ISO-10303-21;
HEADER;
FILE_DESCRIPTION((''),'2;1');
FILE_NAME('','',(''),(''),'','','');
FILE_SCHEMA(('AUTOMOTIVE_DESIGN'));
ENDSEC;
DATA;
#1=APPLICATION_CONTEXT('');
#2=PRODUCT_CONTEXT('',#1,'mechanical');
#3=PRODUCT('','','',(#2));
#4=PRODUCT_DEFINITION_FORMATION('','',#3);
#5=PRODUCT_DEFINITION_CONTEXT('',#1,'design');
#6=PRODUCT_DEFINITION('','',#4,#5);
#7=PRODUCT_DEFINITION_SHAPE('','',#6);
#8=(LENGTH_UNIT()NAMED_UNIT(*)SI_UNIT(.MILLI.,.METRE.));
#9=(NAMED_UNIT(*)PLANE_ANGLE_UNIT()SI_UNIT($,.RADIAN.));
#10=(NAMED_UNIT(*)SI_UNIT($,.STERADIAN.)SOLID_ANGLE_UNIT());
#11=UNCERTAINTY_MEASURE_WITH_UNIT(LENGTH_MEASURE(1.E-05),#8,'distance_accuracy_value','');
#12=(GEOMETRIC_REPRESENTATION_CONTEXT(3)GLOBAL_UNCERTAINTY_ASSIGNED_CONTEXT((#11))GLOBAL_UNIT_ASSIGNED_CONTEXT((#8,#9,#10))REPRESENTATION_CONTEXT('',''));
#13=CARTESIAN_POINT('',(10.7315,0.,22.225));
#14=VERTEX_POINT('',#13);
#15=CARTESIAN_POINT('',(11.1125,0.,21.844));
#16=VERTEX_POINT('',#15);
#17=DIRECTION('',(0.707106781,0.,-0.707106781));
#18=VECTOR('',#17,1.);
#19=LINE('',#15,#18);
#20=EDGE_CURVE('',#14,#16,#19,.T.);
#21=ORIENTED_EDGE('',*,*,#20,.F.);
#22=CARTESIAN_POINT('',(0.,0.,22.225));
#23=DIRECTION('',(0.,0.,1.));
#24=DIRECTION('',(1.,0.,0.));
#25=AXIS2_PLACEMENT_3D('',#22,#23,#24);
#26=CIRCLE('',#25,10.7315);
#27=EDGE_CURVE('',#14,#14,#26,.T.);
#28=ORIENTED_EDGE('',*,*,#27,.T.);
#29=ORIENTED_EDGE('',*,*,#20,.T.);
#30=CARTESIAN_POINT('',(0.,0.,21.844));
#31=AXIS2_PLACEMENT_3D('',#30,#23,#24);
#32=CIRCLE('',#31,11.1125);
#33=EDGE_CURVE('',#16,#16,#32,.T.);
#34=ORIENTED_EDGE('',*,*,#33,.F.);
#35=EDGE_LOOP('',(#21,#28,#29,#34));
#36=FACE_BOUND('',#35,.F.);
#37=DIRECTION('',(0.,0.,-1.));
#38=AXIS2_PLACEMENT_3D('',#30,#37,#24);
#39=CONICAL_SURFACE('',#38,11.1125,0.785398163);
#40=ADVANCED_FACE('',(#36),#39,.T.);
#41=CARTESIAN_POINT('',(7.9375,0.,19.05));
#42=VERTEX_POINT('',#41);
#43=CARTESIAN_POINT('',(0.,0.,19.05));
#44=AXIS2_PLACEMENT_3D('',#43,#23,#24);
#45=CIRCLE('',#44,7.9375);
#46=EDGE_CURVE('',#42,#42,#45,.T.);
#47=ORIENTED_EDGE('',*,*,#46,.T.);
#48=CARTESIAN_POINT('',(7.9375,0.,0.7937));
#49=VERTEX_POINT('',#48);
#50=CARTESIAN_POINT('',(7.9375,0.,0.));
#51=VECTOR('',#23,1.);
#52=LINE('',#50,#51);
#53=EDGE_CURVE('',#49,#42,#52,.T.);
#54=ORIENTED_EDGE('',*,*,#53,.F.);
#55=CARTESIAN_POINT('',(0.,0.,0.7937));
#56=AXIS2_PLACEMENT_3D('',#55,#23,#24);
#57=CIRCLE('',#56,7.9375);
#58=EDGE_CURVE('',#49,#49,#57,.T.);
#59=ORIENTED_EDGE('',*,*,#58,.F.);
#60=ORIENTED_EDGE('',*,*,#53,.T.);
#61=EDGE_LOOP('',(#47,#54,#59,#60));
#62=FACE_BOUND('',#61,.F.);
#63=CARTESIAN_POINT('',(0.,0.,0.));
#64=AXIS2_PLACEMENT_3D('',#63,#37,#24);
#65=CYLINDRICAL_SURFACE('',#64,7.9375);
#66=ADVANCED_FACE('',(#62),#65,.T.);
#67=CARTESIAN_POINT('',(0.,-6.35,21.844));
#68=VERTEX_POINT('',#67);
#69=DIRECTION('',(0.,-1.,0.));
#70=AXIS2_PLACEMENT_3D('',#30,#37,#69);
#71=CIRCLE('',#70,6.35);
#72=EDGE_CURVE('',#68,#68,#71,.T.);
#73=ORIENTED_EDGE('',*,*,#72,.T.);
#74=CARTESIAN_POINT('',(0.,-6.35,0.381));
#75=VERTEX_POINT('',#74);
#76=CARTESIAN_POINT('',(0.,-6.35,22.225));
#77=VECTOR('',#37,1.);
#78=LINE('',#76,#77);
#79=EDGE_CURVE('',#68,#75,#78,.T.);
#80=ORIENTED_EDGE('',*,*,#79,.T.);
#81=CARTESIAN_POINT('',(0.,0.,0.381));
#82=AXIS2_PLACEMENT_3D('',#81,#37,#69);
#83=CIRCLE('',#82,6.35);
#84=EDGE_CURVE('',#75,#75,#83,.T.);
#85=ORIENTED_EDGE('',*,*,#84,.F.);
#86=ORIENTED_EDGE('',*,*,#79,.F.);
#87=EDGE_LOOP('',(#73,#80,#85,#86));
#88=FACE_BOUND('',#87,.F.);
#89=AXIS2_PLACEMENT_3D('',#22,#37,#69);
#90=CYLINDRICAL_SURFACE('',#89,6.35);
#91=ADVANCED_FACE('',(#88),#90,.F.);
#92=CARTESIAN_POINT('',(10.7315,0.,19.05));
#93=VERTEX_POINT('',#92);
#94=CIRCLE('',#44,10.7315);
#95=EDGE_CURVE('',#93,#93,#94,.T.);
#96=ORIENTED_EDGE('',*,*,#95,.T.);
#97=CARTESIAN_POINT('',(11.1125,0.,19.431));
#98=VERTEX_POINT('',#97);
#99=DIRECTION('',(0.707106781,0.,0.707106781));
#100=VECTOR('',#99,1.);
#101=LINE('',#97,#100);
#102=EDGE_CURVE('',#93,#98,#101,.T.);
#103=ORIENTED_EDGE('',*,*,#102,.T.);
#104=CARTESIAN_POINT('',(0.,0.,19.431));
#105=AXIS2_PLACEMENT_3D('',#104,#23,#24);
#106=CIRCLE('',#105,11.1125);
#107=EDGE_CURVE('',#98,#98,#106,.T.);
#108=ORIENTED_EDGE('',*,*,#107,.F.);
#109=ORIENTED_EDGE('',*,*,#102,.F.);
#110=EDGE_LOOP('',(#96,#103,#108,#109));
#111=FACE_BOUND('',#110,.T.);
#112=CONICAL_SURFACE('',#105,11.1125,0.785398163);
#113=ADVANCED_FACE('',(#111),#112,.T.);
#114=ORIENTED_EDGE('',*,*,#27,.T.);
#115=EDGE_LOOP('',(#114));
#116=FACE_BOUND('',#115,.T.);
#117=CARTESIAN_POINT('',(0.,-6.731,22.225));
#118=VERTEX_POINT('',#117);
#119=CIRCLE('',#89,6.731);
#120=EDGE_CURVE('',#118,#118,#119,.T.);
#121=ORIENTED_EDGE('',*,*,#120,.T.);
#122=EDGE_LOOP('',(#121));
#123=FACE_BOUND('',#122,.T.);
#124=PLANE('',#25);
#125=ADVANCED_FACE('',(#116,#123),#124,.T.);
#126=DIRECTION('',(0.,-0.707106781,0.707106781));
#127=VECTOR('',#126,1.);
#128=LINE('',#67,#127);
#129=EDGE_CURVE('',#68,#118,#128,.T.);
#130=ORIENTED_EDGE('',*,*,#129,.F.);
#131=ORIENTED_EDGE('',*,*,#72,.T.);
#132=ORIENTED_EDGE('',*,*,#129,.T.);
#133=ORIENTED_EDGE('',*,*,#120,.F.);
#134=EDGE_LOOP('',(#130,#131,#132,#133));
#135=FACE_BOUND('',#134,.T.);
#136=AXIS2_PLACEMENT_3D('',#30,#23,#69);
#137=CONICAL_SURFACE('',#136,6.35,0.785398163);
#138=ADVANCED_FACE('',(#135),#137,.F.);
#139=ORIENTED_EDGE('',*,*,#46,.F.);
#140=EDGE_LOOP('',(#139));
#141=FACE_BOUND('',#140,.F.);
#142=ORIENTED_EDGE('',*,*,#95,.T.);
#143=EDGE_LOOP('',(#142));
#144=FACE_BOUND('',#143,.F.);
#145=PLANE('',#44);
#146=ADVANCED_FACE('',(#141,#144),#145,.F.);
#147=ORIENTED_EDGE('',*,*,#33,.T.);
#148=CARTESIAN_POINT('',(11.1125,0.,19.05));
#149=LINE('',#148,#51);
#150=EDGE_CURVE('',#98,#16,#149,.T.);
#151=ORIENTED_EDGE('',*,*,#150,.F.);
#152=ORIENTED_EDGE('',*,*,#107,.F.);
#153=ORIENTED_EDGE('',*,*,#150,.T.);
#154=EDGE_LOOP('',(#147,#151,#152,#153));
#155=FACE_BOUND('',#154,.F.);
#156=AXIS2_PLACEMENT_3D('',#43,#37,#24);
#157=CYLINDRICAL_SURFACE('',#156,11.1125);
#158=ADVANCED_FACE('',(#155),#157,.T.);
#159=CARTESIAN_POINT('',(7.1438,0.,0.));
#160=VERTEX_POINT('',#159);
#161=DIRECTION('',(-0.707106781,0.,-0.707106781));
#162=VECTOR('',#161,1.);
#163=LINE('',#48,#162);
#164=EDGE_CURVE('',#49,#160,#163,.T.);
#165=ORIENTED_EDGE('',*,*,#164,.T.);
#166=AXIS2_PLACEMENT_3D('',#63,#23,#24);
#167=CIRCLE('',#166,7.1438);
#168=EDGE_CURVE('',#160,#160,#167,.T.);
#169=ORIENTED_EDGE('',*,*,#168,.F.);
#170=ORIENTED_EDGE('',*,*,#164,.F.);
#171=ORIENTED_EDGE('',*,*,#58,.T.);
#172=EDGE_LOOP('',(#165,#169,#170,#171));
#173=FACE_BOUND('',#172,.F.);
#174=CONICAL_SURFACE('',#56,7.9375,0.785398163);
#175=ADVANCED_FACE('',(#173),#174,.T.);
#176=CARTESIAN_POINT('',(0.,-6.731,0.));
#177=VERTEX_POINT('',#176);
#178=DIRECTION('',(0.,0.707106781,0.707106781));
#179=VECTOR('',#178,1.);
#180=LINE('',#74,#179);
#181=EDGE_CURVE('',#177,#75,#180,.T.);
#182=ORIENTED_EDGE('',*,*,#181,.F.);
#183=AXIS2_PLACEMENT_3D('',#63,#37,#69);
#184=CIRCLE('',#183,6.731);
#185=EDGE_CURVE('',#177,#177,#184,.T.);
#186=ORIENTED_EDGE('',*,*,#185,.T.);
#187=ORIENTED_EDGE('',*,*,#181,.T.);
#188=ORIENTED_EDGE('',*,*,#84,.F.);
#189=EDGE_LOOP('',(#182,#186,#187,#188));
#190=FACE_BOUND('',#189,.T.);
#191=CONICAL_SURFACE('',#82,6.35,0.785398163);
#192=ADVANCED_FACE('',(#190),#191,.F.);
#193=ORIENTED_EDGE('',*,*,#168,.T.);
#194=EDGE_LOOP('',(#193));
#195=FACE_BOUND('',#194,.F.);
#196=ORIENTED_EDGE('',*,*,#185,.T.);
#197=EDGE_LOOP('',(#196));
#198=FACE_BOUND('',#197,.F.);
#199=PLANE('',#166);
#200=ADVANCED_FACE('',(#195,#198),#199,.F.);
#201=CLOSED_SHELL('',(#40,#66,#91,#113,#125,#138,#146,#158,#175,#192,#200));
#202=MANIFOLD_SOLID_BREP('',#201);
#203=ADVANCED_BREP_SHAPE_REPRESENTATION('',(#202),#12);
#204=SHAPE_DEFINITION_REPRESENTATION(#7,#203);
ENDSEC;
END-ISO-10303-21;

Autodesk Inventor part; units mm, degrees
ref_plane "YZ Plane" through (0, 0, 0) normal (1, 0, 0) x (0, 1, 0)
ref_plane "XZ Plane" through (0, 0, 0) normal (0, 1, 0) x (-1, 0, 0)
ref_plane "XY Plane" through (0, 0, 0) normal (0, 0, 1) x (1, 0, 0)
sketch "Sketch1" plane through (0, 0, 0) normal (0, 0, 1) x (1, 0, 0)
  circle A0 centre (0, 0) radius 7.9375
  dimension "d0" = 15.875
extrude "Extrusion1" add sketch "Sketch1" along normal blind 19.05
sketch "Sketch2" plane through (0, 0, 19.05) normal (0, 0, 1) x (1, 0, 0)
  circle A0 centre (0, 0) radius 7.9375 projected
  circle A1 centre (0, 0) radius 11.1125
  dimension "d3" = 3.175
extrude "Extrusion2" add sketch "Sketch2" along normal blind 3.175 contours A0 | A1
chamfer "Chamfer1" distance 0.7937 angle 45 1 edges at (-7.9375, 0, 0)
sketch "Sketch3" plane through (0, 0, 22.225) normal (0, 0, 1) x (1, 0, 0)
  circle A0 centre (0, 0) radius 11.1125 projected
hole "Hole1" at (0, 0, 22.225) direction (0, 0, -1) diameter 12.7 end through all
chamfer "Chamfer2" distance 0.381 angle 45 2 edges at (0, 6.35, 22.225) (0, 6.35, 0)
chamfer "Chamfer3" distance 0.381 angle 45 2 edges at (-11.1125, 0, 22.225) (-11.1125, 0, 19.05)
properties part number "PWTR-0026" material "Bronze, Soft Tin"
